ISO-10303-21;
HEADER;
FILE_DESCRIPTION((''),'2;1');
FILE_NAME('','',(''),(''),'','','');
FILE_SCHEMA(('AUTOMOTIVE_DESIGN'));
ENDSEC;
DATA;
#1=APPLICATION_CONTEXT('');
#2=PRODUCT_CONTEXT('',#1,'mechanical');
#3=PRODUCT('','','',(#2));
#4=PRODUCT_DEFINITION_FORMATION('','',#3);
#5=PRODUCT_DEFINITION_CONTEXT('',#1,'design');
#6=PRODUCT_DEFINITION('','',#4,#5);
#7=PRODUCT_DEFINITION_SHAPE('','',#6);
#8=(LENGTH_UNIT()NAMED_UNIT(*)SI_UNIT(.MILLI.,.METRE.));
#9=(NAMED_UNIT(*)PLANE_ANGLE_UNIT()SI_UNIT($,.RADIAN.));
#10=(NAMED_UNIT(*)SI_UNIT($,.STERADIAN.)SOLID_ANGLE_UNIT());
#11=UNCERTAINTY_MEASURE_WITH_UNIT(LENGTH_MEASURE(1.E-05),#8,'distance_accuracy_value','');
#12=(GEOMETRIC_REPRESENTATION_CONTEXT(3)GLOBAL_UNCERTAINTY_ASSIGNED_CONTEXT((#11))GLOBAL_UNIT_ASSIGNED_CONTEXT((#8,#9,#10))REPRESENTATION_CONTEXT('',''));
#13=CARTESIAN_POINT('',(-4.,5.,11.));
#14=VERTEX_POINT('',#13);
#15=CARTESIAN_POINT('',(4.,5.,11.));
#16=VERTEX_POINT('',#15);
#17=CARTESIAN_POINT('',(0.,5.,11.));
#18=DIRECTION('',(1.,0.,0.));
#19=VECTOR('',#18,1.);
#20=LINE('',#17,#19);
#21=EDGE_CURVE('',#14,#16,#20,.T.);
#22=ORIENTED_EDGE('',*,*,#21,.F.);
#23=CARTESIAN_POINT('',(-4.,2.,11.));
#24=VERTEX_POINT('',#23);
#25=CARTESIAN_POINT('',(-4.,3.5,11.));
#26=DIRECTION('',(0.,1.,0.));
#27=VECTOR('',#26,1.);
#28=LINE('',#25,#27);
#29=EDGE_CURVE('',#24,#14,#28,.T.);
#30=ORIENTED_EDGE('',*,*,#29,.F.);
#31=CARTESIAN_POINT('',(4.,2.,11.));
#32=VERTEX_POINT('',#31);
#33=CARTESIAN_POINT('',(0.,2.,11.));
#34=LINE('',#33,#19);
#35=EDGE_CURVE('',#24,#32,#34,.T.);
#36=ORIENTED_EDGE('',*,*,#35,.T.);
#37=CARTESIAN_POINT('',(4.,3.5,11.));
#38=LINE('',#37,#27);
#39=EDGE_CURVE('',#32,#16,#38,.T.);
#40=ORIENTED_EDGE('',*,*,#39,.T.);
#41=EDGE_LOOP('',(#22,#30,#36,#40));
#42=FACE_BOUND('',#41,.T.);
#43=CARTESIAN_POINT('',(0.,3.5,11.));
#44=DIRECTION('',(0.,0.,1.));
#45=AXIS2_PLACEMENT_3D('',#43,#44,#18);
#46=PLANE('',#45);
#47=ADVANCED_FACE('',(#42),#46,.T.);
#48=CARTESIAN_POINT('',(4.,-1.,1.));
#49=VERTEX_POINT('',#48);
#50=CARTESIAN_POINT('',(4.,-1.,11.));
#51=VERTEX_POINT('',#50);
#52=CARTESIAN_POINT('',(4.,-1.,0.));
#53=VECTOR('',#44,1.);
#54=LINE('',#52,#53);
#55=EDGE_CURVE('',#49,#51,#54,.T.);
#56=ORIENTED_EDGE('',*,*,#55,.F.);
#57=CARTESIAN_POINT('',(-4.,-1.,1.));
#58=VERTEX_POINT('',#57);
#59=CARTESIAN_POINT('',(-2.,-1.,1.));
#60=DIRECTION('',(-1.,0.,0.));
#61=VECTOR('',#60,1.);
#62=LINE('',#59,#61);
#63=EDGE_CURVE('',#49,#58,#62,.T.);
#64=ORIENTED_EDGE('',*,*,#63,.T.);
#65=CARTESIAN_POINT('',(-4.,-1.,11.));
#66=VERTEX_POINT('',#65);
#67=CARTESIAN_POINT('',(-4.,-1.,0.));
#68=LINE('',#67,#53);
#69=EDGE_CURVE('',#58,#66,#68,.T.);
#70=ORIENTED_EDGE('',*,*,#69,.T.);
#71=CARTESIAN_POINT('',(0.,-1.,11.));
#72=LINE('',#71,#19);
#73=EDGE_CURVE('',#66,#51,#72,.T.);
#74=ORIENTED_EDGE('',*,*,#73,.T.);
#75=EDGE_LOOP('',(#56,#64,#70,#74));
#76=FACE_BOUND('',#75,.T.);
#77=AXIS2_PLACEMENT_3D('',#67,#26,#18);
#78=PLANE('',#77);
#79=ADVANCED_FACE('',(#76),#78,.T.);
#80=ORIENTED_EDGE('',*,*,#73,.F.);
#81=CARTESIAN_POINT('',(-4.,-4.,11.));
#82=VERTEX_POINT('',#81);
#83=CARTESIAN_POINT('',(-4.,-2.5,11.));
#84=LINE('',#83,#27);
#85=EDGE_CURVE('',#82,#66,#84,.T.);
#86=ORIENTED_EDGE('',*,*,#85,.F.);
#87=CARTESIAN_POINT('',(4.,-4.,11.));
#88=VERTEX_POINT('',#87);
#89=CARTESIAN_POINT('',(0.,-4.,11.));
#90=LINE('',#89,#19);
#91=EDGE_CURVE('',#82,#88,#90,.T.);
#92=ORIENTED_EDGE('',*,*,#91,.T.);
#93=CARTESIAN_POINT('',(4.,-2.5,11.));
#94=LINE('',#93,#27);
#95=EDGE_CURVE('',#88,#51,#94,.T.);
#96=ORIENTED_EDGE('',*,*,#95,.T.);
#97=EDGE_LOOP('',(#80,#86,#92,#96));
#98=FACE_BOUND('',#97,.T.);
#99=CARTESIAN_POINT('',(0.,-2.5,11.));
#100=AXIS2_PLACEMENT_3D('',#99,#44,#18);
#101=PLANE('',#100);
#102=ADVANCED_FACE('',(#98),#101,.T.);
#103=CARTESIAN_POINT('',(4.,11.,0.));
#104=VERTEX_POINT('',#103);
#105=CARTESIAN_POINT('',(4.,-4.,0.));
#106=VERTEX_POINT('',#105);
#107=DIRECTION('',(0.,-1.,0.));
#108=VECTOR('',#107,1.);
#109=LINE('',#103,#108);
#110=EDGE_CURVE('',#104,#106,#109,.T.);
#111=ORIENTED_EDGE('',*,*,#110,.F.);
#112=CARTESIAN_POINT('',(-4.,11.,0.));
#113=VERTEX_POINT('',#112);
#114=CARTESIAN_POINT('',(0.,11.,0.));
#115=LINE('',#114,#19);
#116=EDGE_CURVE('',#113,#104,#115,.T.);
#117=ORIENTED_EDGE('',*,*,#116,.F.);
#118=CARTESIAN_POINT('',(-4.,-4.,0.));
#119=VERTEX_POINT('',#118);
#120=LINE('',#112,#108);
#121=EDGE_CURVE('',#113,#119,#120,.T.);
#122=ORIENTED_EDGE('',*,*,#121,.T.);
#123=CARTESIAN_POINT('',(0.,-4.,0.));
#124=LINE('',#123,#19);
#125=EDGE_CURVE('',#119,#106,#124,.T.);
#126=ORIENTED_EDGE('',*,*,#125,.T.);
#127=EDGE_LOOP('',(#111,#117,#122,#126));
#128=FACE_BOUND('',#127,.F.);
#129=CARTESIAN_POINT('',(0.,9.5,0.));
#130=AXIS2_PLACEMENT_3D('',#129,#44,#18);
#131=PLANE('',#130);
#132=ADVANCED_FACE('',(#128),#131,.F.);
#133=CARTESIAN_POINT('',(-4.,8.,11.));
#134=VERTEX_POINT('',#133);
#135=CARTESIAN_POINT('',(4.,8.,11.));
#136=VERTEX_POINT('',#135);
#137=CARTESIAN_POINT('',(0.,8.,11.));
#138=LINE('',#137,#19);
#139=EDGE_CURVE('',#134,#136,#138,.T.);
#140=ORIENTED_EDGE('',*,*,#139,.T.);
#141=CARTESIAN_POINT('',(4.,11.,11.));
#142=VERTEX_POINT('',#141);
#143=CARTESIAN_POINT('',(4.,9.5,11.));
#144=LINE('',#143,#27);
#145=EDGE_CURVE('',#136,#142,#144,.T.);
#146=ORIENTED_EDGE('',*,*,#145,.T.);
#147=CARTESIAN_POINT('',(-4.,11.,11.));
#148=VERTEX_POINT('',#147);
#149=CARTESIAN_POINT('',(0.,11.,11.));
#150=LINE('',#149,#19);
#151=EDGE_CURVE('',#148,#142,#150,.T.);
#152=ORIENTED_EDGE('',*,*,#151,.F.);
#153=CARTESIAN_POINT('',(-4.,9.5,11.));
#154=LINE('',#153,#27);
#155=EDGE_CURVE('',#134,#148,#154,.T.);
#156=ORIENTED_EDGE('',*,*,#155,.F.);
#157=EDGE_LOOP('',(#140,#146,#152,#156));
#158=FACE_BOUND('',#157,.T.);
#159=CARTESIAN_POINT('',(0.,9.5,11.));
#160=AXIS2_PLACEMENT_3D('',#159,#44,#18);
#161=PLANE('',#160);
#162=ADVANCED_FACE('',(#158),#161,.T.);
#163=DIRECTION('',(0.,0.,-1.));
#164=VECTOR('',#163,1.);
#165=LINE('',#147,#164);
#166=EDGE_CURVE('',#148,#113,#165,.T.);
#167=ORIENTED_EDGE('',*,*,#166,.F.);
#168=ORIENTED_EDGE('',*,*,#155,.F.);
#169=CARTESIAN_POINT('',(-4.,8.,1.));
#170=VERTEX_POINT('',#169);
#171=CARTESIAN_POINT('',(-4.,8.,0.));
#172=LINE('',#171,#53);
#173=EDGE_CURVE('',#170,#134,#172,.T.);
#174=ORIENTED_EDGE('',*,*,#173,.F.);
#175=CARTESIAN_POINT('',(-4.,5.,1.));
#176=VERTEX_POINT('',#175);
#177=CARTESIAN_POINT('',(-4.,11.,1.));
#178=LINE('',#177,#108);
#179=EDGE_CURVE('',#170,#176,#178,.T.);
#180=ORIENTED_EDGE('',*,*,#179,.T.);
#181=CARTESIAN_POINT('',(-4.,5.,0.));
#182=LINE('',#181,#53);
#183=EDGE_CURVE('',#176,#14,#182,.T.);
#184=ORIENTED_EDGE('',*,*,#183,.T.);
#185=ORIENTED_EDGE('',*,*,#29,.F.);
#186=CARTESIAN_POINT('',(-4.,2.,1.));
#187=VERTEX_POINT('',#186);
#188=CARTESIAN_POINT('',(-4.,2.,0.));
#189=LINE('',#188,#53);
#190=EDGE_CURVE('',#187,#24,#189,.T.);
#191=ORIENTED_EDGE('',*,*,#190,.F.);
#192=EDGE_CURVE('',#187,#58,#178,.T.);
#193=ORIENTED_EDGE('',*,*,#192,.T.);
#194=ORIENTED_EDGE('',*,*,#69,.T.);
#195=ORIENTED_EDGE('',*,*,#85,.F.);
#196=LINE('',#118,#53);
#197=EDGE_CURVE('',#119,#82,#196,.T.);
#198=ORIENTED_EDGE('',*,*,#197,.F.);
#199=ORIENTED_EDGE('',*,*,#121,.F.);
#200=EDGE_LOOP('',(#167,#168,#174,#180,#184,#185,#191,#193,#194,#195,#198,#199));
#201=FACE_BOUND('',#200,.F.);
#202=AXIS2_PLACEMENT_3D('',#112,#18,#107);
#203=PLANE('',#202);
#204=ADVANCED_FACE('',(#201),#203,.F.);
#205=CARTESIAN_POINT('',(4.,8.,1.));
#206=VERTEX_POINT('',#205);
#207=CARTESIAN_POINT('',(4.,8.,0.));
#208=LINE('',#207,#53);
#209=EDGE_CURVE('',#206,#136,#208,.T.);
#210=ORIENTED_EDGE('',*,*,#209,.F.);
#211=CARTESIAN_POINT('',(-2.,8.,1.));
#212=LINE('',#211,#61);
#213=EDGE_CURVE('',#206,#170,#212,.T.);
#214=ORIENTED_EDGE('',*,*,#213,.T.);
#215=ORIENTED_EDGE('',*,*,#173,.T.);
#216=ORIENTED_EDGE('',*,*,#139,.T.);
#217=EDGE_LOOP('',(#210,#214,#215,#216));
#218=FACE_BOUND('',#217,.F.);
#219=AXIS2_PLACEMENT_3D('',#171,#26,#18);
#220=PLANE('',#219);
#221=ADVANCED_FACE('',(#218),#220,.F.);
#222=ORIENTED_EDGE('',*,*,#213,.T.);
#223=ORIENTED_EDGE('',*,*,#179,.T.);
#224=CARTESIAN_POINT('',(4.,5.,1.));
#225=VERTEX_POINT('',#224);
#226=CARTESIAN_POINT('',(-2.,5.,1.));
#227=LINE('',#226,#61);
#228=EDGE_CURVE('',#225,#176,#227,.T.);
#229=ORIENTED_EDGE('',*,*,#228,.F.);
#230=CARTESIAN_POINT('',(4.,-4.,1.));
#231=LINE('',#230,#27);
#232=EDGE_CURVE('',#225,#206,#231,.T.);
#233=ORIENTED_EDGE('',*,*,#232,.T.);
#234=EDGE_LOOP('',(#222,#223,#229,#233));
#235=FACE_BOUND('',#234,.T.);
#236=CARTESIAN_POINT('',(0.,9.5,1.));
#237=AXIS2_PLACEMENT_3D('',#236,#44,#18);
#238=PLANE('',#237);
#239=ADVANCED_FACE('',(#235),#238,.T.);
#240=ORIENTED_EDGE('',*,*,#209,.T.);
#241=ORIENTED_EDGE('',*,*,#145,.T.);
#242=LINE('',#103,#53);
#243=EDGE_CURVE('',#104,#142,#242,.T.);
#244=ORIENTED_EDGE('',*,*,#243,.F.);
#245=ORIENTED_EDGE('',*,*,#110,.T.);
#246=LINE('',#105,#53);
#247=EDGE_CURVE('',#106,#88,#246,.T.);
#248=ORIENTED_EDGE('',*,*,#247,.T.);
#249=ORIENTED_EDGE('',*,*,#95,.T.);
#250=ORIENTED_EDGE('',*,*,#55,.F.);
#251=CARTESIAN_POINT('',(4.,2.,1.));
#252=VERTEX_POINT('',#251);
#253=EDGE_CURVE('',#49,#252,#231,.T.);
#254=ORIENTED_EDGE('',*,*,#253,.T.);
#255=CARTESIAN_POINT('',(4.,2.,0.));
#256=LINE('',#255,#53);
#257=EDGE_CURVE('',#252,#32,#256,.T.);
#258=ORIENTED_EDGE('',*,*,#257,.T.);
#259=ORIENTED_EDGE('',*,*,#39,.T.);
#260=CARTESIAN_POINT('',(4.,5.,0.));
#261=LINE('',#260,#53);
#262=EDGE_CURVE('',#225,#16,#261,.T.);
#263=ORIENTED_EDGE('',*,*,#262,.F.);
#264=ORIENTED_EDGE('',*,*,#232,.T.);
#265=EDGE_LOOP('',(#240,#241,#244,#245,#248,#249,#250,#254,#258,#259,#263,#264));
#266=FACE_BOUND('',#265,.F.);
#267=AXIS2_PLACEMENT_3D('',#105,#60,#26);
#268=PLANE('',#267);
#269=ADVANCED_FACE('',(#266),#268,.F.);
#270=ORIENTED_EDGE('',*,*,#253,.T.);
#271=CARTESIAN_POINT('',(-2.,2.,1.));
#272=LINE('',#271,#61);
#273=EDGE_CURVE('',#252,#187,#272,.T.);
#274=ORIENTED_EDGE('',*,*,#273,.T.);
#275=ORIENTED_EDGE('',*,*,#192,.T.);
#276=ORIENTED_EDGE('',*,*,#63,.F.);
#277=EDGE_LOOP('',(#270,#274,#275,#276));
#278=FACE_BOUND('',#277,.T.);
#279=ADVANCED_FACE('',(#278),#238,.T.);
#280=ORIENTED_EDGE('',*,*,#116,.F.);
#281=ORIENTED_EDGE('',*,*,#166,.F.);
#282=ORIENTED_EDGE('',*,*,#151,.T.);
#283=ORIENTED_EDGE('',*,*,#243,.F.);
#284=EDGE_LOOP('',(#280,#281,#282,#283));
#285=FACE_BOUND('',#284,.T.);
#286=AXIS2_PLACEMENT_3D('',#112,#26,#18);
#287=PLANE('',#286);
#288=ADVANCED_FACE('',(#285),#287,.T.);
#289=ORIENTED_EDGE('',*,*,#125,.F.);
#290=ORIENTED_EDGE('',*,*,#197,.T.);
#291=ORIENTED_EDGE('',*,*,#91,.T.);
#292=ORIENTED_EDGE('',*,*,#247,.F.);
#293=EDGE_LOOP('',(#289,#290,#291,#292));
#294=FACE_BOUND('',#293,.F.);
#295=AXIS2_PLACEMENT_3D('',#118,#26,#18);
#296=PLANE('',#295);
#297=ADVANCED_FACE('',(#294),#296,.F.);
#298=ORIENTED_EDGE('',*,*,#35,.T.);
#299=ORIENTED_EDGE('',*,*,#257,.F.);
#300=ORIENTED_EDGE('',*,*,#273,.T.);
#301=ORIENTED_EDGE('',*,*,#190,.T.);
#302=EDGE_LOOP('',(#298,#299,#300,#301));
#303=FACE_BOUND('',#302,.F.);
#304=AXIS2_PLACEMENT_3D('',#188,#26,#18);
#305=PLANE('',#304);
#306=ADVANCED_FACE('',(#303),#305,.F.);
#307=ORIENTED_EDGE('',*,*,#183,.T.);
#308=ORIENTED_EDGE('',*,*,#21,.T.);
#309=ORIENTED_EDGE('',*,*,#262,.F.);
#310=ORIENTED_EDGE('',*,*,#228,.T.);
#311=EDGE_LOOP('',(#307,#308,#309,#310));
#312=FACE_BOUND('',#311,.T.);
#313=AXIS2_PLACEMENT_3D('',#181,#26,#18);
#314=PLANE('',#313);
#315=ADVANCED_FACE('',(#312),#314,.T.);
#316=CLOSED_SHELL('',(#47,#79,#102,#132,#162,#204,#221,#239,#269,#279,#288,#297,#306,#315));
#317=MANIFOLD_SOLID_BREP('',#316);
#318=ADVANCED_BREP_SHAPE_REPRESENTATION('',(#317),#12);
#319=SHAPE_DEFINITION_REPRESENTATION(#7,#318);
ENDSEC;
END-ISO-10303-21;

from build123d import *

# Parameters (mm, degrees)
F0_W     = 8
F0_H     = 3
F1_DEPTH = 1
F2_DEPTH = 11


with BuildPart() as f1:
    # F0 (on Top) → F1 (new body)
    with BuildSketch(Plane.XY):
        with Locations((0, 9.5)):
            Rectangle(F0_W, F0_H)
        with Locations((0, -2.5)):
            Rectangle(F0_W, F0_H)
        with Locations((0, 6.5)):
            Rectangle(F0_W, F0_H)
        with Locations((0, 3.5)):
            Rectangle(F0_W, F0_H)
        with Locations((0, 0.5)):
            Rectangle(F0_W, F0_H)
    extrude(amount=F1_DEPTH)

    # F0 (on Top) → F2 (join)
    with BuildSketch(Plane.XY):
        with Locations((0, -2.5)):
            Rectangle(F0_W, F0_H)
        with Locations((0, 9.5)):
            Rectangle(F0_W, F0_H)
        with Locations((0, 3.5)):
            Rectangle(F0_W, F0_H)
    extrude(amount=F2_DEPTH)


solid = f1.part
